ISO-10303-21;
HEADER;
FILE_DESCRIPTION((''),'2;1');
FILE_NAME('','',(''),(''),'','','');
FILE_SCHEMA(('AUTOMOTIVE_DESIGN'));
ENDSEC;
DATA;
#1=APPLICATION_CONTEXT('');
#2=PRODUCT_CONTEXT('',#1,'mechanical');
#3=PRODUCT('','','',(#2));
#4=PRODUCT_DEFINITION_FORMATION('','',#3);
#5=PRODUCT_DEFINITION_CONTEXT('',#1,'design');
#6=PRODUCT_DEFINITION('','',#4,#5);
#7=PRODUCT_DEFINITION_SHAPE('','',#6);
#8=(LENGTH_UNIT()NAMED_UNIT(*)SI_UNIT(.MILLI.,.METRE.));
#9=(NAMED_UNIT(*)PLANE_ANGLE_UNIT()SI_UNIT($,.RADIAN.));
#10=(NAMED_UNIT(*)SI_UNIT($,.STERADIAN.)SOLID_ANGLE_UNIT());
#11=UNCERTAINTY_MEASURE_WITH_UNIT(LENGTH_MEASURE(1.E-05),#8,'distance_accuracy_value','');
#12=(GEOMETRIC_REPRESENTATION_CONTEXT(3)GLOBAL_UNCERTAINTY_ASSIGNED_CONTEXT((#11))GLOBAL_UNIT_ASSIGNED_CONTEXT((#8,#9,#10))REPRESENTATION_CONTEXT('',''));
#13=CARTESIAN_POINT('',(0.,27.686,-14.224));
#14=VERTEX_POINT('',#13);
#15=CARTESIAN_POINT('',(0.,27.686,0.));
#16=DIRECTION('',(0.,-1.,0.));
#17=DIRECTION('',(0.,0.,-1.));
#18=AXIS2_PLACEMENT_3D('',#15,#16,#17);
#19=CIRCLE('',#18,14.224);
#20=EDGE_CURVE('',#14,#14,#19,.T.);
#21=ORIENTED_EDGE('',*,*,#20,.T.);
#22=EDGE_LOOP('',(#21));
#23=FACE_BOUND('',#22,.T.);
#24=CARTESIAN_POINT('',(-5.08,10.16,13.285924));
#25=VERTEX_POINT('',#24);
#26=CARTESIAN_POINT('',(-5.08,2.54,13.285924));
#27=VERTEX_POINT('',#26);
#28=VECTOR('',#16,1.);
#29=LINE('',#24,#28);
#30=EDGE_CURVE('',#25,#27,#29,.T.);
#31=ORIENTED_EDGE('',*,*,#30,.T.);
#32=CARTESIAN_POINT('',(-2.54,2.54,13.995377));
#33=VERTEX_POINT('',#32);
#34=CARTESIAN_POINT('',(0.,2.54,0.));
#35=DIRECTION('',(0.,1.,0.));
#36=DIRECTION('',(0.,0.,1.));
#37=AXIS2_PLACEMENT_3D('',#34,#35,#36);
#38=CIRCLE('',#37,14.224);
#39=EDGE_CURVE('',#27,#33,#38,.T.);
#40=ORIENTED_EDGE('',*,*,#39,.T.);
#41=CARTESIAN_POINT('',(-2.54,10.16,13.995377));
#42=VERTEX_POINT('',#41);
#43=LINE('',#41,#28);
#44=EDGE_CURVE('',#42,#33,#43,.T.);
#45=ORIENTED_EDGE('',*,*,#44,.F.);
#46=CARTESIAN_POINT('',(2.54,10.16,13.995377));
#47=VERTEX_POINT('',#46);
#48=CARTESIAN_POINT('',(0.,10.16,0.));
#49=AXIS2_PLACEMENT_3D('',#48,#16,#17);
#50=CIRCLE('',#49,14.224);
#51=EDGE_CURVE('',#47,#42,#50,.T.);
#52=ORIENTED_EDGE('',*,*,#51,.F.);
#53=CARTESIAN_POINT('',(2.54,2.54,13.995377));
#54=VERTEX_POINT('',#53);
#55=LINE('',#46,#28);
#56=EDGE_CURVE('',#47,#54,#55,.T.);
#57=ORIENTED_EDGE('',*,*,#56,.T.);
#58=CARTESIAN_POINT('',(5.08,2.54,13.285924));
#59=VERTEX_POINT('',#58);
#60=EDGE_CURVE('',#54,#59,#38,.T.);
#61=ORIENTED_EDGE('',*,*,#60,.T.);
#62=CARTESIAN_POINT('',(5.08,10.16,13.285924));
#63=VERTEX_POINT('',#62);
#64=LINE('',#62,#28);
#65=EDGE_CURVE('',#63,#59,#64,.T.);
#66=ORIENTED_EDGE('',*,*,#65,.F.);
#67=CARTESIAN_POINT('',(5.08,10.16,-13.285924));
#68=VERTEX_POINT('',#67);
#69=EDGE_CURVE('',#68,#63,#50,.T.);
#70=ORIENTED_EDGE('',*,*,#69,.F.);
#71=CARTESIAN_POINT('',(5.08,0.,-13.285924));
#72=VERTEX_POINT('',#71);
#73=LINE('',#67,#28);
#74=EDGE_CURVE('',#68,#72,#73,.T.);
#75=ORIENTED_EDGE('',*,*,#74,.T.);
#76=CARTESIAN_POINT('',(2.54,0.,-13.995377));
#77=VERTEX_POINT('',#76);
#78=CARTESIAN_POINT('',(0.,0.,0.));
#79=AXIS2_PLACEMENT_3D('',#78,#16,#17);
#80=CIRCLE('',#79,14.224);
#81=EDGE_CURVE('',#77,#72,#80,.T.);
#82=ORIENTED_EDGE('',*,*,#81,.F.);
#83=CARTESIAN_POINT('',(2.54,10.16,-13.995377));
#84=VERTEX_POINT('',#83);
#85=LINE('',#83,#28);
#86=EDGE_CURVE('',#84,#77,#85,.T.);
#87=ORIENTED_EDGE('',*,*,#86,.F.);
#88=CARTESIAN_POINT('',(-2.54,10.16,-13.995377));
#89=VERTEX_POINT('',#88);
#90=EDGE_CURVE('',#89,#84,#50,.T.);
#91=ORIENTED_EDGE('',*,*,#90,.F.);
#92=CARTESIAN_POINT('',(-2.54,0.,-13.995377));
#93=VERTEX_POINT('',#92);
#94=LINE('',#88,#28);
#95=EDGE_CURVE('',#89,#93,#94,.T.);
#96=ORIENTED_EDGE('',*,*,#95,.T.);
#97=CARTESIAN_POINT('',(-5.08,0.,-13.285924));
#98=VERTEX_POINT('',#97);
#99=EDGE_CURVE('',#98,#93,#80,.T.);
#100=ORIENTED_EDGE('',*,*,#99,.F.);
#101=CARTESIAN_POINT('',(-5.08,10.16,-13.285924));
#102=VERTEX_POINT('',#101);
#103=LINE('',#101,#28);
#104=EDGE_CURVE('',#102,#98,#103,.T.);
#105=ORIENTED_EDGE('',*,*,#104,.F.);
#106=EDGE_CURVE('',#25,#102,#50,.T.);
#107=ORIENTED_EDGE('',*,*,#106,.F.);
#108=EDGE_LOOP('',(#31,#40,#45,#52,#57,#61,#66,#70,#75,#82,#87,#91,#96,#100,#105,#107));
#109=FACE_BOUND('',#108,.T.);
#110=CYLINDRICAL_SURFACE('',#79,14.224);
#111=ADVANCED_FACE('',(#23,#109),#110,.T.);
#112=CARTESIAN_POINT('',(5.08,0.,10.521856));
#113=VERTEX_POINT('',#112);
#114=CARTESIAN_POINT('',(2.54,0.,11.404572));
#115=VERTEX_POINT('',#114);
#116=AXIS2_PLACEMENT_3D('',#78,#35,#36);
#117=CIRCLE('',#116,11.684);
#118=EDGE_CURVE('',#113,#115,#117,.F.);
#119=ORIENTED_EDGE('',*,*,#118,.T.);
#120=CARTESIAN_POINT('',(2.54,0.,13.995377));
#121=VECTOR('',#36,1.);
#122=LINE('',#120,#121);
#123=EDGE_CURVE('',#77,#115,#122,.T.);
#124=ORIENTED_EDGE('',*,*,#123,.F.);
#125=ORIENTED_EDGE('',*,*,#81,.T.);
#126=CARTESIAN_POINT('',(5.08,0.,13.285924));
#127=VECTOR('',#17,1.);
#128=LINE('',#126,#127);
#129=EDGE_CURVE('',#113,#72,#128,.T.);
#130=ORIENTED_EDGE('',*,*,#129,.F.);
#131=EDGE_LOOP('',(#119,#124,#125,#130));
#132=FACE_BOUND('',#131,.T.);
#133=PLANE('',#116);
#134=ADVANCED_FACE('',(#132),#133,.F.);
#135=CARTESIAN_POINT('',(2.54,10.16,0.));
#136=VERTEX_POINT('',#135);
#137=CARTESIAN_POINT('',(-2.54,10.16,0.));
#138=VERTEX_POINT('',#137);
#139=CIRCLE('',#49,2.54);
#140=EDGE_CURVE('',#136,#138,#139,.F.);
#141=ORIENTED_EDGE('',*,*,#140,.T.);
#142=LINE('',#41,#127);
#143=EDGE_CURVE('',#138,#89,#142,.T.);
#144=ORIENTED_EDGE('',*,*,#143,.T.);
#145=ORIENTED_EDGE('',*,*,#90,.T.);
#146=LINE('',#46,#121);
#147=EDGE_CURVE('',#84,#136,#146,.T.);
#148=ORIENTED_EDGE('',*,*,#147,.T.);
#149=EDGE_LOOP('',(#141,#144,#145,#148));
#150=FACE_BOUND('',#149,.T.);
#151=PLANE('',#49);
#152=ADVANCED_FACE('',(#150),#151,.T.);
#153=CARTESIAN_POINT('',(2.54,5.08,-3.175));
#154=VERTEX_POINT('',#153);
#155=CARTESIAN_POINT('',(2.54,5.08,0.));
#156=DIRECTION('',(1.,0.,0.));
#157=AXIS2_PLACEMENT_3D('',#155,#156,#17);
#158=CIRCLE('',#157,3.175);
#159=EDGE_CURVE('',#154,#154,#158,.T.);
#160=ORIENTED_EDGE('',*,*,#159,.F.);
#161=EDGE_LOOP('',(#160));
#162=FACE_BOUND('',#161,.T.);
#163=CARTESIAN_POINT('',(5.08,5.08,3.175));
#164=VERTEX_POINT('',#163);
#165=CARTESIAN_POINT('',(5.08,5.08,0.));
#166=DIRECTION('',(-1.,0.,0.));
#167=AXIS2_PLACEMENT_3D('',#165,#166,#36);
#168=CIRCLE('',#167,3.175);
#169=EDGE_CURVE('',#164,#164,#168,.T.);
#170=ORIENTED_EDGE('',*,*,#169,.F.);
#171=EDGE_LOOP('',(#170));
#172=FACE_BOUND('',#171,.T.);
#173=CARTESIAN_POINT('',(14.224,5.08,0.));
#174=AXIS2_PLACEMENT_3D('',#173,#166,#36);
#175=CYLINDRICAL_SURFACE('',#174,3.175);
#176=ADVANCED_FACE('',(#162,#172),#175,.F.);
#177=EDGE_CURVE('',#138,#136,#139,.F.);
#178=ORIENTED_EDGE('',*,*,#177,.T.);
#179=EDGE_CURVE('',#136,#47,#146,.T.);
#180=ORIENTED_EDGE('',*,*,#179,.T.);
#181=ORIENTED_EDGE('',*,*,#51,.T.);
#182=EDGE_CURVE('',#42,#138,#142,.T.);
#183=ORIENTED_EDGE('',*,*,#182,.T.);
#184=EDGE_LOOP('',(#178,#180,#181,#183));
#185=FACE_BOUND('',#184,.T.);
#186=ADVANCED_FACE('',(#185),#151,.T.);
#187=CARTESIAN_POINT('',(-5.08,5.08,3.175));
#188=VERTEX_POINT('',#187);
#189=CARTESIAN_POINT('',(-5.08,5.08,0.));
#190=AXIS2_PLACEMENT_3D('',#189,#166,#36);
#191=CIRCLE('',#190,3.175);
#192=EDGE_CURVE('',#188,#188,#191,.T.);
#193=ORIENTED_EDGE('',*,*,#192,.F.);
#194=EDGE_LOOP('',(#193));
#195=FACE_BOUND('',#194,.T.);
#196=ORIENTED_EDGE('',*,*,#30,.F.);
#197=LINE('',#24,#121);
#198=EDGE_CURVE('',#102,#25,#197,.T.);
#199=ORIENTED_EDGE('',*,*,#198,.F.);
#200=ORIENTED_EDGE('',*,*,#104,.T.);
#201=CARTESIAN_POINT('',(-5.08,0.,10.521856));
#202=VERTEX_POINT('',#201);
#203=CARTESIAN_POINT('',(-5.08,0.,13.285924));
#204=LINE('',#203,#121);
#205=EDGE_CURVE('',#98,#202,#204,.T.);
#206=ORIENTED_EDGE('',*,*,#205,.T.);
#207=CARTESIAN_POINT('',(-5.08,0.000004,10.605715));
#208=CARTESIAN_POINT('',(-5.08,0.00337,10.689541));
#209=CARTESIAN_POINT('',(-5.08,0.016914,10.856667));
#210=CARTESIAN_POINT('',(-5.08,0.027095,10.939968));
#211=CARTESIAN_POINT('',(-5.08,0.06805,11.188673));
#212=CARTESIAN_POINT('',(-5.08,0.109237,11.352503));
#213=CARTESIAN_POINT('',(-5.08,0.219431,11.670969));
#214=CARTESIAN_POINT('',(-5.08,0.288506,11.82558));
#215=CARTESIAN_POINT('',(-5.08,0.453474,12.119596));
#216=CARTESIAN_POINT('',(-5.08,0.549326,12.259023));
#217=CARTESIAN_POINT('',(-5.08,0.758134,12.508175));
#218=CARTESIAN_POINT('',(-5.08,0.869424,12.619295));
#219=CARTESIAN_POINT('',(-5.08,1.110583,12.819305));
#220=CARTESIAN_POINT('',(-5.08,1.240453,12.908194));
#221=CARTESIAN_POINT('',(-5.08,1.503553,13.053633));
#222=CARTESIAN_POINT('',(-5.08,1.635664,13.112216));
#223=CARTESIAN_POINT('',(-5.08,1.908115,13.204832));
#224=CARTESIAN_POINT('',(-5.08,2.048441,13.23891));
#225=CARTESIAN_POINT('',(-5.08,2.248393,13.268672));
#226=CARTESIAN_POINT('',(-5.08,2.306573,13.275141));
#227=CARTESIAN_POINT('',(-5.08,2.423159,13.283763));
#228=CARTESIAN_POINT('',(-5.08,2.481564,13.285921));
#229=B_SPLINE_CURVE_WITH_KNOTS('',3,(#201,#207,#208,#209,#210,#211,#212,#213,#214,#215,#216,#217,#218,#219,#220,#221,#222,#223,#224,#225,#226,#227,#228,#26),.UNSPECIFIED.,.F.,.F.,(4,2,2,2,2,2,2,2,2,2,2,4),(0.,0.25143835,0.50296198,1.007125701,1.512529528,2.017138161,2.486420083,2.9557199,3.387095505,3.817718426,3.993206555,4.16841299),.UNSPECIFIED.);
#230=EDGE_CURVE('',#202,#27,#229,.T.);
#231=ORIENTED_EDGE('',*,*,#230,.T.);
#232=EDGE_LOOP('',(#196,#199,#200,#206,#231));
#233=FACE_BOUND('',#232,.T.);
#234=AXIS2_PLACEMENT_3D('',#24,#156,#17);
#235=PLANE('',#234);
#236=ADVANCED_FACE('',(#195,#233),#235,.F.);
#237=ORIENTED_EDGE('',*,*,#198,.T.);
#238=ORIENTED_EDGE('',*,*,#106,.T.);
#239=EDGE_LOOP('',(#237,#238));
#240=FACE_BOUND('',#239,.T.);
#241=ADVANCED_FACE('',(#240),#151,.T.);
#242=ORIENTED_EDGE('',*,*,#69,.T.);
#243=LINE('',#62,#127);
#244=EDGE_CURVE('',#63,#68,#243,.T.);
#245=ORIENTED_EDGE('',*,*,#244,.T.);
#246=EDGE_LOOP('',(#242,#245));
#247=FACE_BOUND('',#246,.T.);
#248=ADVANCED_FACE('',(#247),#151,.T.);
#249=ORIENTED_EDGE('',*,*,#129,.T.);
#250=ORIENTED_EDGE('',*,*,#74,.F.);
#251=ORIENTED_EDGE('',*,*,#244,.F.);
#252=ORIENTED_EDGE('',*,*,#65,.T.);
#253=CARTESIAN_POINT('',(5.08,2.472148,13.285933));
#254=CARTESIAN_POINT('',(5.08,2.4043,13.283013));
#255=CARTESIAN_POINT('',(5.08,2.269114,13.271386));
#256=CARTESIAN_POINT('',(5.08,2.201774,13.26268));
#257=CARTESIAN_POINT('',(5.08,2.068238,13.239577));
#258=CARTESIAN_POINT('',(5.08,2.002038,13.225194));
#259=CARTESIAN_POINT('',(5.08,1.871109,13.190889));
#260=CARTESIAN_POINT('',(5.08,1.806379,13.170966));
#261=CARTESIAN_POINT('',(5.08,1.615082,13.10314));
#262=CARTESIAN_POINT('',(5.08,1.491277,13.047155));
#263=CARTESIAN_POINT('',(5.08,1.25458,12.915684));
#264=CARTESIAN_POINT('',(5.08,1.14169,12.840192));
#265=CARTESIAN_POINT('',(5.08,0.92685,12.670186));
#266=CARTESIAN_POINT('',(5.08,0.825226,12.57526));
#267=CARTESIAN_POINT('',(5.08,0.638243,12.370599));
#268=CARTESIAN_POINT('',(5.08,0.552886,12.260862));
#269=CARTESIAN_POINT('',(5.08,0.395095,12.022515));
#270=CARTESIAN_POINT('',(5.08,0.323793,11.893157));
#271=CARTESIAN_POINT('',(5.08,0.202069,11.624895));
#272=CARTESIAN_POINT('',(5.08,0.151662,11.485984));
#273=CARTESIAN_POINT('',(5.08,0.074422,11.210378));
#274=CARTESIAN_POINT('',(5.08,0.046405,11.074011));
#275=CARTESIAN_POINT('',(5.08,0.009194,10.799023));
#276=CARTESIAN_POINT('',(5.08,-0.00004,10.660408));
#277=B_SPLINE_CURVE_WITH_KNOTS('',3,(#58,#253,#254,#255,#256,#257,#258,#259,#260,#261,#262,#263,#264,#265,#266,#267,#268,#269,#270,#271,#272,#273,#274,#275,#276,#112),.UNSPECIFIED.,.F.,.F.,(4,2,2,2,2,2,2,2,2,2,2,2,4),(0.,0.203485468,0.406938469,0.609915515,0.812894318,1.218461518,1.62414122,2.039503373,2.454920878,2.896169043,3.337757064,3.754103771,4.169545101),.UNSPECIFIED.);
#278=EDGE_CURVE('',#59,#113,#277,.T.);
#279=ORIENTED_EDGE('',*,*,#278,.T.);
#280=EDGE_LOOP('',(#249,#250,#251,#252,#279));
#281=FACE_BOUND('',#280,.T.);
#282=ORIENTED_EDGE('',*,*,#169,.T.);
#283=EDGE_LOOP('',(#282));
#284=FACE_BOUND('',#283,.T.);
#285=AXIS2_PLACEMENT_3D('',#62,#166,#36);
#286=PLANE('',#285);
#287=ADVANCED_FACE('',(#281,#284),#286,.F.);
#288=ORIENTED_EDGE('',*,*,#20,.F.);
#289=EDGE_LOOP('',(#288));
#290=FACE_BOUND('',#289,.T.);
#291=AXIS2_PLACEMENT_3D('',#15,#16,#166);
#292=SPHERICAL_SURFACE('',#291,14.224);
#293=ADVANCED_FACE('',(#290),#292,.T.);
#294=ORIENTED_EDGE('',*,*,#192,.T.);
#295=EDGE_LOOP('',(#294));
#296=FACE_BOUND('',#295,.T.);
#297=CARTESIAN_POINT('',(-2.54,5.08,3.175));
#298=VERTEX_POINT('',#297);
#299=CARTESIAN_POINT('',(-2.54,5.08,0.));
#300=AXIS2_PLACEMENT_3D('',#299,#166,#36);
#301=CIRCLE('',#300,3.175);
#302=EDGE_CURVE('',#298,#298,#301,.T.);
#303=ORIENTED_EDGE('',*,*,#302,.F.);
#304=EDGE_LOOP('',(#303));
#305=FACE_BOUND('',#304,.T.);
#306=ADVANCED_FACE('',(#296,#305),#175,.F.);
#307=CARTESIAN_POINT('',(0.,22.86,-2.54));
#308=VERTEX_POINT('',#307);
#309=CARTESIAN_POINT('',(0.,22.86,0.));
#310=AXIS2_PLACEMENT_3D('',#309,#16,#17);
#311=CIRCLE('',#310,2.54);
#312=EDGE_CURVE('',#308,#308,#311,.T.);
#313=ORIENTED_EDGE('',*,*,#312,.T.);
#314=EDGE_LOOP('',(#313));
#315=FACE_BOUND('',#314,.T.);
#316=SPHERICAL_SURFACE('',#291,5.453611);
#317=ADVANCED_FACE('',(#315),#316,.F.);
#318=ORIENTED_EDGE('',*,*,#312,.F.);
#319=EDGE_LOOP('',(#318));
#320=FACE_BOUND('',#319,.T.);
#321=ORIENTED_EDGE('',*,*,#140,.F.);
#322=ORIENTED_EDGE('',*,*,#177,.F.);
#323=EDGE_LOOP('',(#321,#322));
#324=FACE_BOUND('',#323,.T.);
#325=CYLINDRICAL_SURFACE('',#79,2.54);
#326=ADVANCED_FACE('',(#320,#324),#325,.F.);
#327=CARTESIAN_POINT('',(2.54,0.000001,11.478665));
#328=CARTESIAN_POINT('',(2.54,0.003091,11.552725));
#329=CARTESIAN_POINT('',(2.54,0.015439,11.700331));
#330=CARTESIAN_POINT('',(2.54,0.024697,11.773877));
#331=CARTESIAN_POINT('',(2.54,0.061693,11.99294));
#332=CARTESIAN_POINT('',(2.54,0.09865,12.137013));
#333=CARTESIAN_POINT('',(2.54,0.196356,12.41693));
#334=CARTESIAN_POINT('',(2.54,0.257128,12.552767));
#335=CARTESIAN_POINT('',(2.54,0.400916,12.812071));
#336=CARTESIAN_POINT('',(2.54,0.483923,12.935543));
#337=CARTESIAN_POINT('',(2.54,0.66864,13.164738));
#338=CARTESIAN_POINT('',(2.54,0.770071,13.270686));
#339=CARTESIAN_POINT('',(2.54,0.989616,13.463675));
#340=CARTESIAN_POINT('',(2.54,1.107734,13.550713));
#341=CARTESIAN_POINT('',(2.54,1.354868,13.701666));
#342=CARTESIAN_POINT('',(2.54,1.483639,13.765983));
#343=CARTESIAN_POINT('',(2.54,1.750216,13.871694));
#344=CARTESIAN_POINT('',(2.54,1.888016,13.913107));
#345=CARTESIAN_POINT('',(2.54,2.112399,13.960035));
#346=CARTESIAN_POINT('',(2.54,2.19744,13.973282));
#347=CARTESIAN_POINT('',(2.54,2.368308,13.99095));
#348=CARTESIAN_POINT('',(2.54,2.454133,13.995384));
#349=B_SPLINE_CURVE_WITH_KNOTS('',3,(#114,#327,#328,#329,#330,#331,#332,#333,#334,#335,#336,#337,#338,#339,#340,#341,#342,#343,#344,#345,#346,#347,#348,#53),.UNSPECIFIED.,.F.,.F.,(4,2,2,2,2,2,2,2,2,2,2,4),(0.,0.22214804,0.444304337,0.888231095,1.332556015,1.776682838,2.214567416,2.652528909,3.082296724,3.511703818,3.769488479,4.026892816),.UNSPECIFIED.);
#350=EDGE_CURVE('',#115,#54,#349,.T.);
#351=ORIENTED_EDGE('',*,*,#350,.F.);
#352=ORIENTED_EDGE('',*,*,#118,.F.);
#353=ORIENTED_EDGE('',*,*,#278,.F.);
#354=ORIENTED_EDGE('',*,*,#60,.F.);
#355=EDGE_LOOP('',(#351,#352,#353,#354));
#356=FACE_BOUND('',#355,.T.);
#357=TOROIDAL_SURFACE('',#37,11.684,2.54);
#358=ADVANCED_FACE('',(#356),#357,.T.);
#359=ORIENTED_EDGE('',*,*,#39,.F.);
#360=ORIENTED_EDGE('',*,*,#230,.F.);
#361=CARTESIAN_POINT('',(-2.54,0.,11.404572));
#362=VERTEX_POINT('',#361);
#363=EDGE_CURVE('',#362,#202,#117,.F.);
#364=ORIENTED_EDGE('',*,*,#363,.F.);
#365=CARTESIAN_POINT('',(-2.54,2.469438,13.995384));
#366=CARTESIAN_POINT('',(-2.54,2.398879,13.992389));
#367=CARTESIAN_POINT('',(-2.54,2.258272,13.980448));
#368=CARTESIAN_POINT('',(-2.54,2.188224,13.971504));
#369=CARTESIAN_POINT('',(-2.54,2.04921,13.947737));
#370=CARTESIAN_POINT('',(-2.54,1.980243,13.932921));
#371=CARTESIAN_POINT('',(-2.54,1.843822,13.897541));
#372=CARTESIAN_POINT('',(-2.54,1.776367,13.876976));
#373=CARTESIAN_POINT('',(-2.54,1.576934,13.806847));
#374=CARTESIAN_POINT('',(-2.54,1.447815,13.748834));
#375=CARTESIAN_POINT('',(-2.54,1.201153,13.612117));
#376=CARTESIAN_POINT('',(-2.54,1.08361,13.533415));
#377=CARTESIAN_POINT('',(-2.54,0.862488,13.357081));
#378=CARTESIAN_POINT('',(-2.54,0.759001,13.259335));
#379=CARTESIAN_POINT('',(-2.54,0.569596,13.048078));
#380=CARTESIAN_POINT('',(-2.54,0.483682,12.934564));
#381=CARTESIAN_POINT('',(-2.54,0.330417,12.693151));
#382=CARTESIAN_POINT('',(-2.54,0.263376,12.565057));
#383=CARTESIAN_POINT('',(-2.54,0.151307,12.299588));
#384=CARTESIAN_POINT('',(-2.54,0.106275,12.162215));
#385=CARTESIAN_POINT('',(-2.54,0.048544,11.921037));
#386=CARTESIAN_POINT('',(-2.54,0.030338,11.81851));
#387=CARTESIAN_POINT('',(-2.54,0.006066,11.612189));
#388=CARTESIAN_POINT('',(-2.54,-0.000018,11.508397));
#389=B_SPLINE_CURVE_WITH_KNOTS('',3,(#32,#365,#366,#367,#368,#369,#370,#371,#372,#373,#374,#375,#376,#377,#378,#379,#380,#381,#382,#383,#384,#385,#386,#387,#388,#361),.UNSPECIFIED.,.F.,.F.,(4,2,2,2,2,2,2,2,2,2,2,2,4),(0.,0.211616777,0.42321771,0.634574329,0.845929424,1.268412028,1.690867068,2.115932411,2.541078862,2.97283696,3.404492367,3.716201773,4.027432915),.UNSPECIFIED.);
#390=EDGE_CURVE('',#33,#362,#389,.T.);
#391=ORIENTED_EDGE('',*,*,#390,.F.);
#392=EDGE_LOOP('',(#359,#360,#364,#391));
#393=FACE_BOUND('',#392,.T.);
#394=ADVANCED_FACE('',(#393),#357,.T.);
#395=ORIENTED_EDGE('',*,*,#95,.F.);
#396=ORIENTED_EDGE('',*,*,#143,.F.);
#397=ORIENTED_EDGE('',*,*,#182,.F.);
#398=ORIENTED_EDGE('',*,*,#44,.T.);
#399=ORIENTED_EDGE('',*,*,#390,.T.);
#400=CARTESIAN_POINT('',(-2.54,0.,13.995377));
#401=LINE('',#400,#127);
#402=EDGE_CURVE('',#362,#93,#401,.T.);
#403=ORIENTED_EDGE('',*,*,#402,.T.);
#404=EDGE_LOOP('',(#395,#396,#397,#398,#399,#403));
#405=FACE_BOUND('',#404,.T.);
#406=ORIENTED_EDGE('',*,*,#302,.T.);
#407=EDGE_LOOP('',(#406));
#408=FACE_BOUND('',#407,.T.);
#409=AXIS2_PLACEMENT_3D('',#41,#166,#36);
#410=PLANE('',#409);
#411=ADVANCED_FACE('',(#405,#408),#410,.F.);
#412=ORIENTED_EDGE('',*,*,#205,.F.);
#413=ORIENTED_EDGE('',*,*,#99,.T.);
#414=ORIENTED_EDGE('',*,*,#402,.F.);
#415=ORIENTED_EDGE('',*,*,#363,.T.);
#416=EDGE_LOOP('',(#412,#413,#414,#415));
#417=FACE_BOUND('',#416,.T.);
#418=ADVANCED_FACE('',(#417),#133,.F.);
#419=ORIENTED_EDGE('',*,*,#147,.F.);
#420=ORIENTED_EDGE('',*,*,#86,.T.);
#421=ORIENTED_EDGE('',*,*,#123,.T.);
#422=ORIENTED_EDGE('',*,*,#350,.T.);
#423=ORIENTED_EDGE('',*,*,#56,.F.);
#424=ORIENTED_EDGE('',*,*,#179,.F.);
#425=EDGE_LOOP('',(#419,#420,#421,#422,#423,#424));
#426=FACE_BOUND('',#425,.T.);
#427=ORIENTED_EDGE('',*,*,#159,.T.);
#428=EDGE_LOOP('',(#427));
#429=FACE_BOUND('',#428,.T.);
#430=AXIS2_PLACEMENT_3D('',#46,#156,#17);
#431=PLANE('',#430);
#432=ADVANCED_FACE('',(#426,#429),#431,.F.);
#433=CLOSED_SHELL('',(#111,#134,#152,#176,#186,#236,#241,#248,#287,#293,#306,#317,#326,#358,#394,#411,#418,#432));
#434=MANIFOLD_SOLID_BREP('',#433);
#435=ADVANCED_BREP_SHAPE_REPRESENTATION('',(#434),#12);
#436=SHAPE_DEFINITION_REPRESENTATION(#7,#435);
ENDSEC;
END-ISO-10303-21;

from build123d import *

# Parameters (mm, degrees)
CUT_EXTRUDE1_DEPTH = 10.16
SKETCH3_R          = 3.175
CUT_EXTRUDE2_DEPTH = 49.284725245
FILLET1_R          = 2.54


with BuildPart() as part:
    # Sketch1 → Revolve1 (revolve)
    with BuildSketch(Plane.XY):
        with BuildLine():
            Line((0, 0), (0, 5.602635041))
            Line((0, 5.602635041), (-2.54, 5.602635041))
            Line((-2.54, 5.602635041), (-2.54, 22.86))
            ThreePointArc((-2.54, 22.86), (-5.294384008, 28.994194932), (0, 33.139611281))
            Line((0, 33.139611281), (0, 41.91))
            ThreePointArc((0, 41.91), (-10.057886856, 37.743886856), (-14.224, 27.686))
            Line((-14.224, 27.686), (-14.224, 0))
            Line((-14.224, 0), (0, 0))
        make_face()
    revolve(axis=Axis((0, 0, 0), (0, 1, 0)))

    # Sketch2 → Cut-Extrude1 (cut)
    with BuildSketch(Plane.XZ):
        with BuildLine():
            Line((-2.54, 13.995376951), (-2.54, -13.995376951))
            ThreePointArc((-2.54, -13.995376951), (0, -14.224), (2.54, -13.995376951))
            Line((2.54, -13.995376951), (2.54, 13.995376951))
            ThreePointArc((2.54, 13.995376951), (0, 14.224), (-2.54, 13.995376951))
        make_face()
        with BuildLine():
            Line((-5.08, 13.28592398), (-5.08, -13.28592398))
            ThreePointArc((-5.08, -13.28592398), (-14.224, 0), (-5.08, 13.28592398))
        make_face()
        with BuildLine():
            Line((5.08, 13.28592398), (5.08, -13.28592398))
            ThreePointArc((5.08, -13.28592398), (14.224, 0), (5.08, 13.28592398))
        make_face()
    extrude(amount=-CUT_EXTRUDE1_DEPTH, mode=Mode.SUBTRACT)

    # Sketch3 → Cut-Extrude2 (cut, through all)
    with BuildSketch(Plane.ZY.offset(5.08)):
        with Locations((0, 5.08)):
            Circle(SKETCH3_R)
    extrude(amount=-CUT_EXTRUDE2_DEPTH, mode=Mode.SUBTRACT)

    # Fillet1
    fillet1_edges = [part.edges().sort_by_distance(p)[0] for p in [
        (3.826477607, 0, 13.699643978),
        (-3.826477607, 0, 13.699643978),
    ]]
    fillet(fillet1_edges, radius=FILLET1_R)


solid = part.part
